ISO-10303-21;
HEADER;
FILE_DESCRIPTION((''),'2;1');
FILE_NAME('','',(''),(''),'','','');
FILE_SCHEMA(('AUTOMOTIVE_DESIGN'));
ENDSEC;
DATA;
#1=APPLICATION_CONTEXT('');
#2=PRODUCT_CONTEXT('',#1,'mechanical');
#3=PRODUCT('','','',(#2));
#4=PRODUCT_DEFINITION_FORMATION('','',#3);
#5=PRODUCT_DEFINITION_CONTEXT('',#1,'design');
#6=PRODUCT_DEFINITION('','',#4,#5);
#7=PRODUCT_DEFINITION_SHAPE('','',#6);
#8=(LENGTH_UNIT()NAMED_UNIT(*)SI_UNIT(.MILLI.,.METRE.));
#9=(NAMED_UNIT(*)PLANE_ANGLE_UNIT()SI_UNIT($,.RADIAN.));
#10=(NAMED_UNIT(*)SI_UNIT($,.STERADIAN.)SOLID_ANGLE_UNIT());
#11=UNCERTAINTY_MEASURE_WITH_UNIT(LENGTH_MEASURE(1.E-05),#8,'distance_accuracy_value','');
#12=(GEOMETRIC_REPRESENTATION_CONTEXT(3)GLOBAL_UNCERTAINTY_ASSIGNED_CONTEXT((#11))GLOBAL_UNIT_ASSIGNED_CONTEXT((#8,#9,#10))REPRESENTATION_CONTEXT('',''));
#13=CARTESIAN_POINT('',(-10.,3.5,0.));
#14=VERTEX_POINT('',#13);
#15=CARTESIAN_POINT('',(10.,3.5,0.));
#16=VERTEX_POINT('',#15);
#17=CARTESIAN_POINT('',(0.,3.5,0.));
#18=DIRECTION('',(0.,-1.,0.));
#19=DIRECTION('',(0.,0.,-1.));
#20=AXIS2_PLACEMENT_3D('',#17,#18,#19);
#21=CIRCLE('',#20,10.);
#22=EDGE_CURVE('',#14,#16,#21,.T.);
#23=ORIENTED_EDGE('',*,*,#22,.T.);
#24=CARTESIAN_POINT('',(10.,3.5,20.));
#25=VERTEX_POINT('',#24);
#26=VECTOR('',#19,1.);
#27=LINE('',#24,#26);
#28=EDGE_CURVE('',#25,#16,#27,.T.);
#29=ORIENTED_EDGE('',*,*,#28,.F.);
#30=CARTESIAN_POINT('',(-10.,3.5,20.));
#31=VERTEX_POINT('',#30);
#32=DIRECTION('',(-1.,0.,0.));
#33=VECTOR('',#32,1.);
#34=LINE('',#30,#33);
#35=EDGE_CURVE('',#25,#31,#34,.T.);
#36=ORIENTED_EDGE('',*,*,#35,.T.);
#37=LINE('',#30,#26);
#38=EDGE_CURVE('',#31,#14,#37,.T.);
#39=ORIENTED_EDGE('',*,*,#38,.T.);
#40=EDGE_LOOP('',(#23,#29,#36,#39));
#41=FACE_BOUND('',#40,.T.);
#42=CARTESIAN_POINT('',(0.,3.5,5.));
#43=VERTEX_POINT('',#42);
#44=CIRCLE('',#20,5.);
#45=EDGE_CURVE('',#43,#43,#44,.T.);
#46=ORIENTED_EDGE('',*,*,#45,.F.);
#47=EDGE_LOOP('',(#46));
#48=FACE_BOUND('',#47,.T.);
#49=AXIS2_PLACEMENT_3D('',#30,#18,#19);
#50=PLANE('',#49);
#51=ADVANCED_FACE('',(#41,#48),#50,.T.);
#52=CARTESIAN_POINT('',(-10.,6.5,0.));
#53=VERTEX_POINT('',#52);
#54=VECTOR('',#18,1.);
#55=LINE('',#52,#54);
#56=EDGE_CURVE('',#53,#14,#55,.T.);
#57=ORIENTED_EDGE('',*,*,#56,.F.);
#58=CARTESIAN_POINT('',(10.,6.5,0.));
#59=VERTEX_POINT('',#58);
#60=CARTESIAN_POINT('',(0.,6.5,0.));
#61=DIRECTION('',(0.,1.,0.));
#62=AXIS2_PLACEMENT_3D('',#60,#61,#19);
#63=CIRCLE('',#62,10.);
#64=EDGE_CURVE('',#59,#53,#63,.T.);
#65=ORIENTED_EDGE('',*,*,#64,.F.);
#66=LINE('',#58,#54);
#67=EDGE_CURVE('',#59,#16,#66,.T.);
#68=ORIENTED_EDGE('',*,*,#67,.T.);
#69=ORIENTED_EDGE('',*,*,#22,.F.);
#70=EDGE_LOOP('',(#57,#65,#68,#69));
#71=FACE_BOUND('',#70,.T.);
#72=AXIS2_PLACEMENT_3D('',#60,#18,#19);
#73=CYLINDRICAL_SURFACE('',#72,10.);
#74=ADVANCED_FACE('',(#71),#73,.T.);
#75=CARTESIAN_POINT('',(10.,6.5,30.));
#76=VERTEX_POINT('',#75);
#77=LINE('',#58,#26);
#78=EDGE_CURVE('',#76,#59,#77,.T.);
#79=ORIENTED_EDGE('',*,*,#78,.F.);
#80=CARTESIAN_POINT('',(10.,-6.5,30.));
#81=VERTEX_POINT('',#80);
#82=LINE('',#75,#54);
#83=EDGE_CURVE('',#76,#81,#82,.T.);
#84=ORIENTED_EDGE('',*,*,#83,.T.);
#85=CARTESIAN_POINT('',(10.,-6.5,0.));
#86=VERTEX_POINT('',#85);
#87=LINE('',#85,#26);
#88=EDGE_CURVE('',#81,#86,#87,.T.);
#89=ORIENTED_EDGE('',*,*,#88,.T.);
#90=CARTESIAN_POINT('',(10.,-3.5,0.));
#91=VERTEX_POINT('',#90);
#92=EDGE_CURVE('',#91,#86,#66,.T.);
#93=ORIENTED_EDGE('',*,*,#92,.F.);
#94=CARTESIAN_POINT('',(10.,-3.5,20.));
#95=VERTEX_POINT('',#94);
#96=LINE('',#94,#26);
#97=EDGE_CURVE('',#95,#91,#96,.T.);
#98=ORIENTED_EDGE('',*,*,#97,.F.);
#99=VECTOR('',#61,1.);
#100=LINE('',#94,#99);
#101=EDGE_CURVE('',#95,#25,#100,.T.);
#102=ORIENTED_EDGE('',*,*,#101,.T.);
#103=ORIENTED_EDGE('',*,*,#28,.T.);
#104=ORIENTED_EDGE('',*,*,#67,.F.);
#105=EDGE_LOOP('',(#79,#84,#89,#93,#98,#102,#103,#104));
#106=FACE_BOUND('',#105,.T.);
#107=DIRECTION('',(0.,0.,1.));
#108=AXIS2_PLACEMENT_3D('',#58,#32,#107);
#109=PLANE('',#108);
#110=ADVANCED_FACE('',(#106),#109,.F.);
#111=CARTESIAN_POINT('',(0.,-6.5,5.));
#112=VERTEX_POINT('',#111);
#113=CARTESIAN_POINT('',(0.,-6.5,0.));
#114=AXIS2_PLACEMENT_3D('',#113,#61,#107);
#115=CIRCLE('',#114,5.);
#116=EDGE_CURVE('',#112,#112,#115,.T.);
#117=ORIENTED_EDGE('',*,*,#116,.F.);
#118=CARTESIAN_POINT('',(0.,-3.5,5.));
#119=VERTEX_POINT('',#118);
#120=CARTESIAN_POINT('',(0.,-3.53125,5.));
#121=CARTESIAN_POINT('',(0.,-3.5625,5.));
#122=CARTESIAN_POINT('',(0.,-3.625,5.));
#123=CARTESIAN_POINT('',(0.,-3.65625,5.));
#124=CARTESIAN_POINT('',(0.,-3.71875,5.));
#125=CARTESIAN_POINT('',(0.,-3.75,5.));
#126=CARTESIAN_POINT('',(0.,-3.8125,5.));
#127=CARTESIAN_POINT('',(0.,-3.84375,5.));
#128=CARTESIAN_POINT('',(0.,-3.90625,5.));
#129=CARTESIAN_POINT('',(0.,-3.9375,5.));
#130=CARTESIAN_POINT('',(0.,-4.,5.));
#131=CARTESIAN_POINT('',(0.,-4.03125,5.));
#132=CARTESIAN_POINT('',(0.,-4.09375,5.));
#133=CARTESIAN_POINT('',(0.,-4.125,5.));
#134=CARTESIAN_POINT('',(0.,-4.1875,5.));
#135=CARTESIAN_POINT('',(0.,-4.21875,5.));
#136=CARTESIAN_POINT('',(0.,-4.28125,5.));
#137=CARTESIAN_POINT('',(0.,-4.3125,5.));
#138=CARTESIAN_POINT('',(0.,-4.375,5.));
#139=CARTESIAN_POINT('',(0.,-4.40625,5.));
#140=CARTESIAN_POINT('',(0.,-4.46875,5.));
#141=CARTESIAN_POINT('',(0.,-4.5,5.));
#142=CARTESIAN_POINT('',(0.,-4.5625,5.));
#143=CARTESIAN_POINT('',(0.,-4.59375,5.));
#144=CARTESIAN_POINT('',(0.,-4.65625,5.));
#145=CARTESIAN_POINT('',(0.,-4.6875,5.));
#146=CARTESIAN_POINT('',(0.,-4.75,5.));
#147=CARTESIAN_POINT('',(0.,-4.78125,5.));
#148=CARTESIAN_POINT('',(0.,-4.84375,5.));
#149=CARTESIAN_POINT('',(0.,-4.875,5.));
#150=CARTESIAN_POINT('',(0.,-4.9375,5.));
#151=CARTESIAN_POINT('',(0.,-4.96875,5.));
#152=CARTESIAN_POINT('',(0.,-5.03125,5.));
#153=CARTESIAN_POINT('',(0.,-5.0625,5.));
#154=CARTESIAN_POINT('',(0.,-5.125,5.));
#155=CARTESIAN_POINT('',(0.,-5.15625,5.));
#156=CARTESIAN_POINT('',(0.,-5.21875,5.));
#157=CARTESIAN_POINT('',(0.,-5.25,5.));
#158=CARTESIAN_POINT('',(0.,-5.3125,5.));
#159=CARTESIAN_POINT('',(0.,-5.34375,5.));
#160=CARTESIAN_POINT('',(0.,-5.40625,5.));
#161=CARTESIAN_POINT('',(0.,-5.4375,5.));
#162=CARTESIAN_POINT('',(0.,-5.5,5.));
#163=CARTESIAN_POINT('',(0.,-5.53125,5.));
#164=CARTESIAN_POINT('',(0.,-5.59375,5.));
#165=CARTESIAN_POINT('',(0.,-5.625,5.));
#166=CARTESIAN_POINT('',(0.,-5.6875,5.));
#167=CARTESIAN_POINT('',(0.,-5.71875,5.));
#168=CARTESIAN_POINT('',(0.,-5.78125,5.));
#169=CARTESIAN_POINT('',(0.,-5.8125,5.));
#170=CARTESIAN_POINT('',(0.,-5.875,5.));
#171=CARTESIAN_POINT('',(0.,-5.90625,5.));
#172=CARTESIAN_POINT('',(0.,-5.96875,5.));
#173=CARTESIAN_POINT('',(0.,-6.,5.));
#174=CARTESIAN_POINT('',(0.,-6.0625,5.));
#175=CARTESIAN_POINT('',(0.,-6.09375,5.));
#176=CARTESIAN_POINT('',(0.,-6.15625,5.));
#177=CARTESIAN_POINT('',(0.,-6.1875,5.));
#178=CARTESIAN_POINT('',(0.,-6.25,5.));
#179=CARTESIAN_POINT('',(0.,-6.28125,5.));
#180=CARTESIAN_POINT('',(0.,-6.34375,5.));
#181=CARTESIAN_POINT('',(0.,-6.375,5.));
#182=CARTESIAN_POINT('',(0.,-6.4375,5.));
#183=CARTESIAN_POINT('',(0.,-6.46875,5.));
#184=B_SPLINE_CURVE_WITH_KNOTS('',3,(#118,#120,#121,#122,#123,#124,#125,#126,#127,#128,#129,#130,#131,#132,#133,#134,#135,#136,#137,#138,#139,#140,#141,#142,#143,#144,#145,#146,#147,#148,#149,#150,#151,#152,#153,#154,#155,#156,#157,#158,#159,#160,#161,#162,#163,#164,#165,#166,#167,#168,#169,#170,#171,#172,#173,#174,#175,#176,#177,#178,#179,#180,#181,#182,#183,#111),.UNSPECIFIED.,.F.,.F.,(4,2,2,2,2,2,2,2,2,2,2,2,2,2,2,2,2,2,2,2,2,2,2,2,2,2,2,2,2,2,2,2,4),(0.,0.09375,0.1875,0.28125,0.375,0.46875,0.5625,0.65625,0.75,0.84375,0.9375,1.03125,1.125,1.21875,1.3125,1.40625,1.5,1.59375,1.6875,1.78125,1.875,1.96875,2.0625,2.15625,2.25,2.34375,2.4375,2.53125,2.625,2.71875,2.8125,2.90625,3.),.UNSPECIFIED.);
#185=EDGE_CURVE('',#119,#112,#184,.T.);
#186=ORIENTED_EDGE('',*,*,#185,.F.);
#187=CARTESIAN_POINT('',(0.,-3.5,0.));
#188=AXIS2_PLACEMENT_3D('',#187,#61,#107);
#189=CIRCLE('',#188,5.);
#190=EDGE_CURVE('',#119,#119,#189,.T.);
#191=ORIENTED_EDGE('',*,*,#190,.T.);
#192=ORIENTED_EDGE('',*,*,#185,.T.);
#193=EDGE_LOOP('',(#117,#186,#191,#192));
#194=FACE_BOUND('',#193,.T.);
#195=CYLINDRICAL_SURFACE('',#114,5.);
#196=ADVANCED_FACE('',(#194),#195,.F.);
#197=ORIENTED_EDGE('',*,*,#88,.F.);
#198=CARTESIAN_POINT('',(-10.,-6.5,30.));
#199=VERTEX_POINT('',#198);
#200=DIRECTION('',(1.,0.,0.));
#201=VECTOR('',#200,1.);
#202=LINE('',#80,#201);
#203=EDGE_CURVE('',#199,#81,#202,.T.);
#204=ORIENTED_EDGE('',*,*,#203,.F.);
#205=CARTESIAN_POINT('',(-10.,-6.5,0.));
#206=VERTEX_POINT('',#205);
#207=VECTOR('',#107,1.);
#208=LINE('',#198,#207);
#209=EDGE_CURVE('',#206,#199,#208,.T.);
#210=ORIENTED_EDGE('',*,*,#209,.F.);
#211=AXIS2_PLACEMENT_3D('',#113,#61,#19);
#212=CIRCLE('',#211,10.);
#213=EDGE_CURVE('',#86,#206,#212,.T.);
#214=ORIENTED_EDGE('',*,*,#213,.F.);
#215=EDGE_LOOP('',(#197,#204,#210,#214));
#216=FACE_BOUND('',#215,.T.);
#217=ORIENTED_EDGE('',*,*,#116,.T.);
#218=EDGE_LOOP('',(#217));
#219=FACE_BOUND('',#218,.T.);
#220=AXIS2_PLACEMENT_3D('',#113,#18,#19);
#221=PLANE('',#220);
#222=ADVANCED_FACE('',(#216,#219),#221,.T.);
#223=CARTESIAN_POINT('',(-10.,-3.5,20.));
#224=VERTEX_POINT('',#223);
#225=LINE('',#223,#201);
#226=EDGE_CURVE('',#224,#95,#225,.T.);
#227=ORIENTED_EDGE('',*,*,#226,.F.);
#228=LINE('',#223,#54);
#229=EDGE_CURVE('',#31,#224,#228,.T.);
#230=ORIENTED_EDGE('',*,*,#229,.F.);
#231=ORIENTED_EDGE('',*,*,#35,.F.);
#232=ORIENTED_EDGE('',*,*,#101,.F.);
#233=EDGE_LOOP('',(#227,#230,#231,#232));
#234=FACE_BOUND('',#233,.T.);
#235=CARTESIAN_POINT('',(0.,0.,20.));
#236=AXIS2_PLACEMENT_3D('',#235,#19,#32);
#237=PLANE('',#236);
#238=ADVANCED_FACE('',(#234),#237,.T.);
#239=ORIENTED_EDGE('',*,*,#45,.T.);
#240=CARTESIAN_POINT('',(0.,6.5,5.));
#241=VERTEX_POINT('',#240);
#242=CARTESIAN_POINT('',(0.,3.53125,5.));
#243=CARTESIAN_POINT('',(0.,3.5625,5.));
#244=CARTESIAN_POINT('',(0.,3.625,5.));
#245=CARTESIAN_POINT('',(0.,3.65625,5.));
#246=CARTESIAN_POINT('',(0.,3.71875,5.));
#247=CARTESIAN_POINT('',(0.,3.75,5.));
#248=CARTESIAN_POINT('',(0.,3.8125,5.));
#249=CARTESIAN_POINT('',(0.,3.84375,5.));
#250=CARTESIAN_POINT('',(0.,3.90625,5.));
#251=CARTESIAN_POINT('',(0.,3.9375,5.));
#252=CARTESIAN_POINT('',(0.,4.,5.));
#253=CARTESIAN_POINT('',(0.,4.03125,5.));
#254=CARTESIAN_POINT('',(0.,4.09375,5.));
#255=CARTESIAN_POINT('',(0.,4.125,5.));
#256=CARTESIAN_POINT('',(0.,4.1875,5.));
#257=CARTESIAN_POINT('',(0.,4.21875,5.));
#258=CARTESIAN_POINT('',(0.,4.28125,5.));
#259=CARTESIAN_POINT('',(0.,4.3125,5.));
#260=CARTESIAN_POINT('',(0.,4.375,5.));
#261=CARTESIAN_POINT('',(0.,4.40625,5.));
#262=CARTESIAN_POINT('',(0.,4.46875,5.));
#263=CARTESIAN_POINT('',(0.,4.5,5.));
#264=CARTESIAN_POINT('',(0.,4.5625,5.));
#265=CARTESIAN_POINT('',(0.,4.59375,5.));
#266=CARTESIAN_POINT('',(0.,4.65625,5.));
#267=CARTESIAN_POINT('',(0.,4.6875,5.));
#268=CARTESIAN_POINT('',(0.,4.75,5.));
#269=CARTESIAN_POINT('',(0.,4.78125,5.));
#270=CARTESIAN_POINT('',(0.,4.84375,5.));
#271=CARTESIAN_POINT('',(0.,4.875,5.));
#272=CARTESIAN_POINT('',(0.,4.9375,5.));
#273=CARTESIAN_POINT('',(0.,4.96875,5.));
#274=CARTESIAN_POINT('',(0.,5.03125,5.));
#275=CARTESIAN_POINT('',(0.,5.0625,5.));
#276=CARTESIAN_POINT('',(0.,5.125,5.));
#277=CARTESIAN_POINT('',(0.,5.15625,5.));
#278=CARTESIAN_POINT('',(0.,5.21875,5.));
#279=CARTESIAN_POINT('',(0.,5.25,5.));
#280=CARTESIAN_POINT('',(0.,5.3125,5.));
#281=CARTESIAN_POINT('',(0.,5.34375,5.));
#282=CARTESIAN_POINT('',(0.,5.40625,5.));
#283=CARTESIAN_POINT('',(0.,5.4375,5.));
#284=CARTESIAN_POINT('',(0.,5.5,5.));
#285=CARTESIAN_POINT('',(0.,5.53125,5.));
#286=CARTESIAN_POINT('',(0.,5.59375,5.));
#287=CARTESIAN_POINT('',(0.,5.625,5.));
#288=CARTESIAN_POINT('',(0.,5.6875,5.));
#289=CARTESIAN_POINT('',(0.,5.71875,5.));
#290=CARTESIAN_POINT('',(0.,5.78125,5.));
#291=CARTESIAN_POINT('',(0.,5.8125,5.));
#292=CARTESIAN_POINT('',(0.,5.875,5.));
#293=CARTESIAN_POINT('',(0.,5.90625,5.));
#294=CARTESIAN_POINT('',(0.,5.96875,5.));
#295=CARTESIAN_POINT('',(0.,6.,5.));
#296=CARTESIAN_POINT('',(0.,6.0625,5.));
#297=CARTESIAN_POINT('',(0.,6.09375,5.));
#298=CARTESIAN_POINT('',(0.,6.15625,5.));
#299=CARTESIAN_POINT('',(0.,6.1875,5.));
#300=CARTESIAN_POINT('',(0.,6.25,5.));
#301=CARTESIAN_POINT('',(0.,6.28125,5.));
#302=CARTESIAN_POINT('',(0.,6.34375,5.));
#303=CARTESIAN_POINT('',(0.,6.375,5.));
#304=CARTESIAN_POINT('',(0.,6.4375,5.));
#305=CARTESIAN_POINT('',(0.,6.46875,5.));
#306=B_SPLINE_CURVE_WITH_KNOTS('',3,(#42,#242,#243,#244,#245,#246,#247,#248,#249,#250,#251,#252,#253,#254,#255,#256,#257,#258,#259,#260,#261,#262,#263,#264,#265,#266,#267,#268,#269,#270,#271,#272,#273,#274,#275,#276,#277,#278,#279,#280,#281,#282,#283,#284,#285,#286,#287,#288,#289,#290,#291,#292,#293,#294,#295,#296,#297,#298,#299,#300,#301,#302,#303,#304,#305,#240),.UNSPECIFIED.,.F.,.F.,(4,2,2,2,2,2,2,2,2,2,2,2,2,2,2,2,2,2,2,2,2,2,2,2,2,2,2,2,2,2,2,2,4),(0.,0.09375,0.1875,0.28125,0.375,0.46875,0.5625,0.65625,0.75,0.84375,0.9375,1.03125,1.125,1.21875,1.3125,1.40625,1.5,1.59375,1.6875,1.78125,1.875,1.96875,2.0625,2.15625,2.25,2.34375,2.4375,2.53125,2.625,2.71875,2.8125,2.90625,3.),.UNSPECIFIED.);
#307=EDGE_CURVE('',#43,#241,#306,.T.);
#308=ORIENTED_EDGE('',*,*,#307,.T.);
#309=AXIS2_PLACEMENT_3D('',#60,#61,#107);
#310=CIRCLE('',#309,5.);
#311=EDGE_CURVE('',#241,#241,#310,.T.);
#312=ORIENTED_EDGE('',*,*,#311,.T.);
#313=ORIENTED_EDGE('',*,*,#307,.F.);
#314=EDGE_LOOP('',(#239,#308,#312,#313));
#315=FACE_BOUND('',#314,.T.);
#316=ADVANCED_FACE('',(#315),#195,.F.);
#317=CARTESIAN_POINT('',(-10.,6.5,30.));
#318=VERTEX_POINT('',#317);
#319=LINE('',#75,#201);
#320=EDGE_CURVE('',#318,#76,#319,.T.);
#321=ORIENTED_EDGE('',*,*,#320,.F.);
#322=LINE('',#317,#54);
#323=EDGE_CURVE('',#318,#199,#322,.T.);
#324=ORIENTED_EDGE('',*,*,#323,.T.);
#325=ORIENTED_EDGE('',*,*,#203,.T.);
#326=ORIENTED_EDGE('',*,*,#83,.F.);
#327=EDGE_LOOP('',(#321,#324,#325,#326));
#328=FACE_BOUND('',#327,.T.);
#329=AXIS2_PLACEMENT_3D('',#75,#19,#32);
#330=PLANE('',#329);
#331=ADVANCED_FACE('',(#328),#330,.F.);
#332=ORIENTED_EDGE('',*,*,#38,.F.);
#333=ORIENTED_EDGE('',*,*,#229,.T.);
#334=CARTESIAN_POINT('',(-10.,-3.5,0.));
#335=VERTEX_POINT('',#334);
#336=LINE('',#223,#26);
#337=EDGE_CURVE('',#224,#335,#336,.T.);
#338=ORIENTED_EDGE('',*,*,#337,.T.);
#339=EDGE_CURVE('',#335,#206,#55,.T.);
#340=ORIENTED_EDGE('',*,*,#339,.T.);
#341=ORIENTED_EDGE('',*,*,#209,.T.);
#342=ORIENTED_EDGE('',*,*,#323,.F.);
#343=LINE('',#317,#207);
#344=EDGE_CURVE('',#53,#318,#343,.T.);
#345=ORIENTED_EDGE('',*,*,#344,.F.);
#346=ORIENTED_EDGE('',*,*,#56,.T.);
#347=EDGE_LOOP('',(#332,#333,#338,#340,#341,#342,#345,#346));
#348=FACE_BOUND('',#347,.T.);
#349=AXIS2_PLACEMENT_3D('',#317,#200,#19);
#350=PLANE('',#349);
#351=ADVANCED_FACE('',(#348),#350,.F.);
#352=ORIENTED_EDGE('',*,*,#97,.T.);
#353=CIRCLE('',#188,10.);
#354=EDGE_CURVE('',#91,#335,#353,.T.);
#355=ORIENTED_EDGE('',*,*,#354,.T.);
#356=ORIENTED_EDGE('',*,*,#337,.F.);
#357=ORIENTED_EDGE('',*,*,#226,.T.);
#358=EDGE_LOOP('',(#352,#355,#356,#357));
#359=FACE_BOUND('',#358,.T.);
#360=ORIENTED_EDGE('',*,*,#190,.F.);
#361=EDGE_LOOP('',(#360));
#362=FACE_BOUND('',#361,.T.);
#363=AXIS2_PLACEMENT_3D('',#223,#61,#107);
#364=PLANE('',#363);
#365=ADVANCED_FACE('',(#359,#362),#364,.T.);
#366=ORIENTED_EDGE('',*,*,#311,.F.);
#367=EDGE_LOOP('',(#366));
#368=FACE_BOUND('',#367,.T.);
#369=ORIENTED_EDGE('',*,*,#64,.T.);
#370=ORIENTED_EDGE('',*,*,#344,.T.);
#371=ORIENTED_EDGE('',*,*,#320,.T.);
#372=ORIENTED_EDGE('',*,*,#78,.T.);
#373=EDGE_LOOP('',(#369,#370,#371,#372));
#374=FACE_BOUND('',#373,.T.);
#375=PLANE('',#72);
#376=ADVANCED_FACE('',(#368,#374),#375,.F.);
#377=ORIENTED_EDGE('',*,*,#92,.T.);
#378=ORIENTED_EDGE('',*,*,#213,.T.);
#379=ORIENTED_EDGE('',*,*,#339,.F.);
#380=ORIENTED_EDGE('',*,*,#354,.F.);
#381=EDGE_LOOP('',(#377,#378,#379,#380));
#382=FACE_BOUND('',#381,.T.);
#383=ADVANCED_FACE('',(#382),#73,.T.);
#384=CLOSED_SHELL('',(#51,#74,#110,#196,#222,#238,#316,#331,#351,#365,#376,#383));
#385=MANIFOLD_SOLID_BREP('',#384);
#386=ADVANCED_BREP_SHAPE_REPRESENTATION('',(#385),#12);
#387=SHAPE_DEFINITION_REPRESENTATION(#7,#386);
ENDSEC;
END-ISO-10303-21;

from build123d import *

# Parameters (mm, degrees)
BOSS_EXTRU_1_DEPTH           = 6.5
ENL_V_MAT_EXTRU_1_DEPTH      = 20
ENL_V_MAT_EXTRU_1_DEPTH_BACK = 33.283896915
ESQUISSE4_W                  = 20
ESQUISSE4_H                  = 7
ESQUISSE5_R                  = 5
ENL_V_MAT_EXTRU_2_DEPTH      = 35.190641995


with BuildPart() as part:
    # Esquisse3 → Boss.-Extru.1 (new, symmetric)
    with BuildSketch(Plane(origin=(0, 0, 0), x_dir=(1, 0, 0), z_dir=(0, 1, 0))):
        with BuildLine():
            Line((-10, -30), (-10, 0))
            ThreePointArc((-10, 0), (0, 10), (10, 0))
            Line((10, 0), (10, -30))
            Line((10, -30), (-10, -30))
        make_face()
    extrude(amount=BOSS_EXTRU_1_DEPTH, both=True)

    # Esquisse4 → Enlèv. mat.-Extru.1 (cut, two sides: drawn at the far end of the back side and taken through both)
    with BuildSketch(Plane.XY.offset(-ENL_V_MAT_EXTRU_1_DEPTH_BACK)):
        Rectangle(ESQUISSE4_W, ESQUISSE4_H)
    extrude(amount=ENL_V_MAT_EXTRU_1_DEPTH + ENL_V_MAT_EXTRU_1_DEPTH_BACK, mode=Mode.SUBTRACT)

    # Esquisse5 → Enlèv. mat.-Extru.2 (cut, through all)
    with BuildSketch(Plane(origin=(0, 6.5, 0), x_dir=(1, 0, 0), z_dir=(0, 1, 0))):
        with Locations(Location((0, 0, 0), (0, 0, 270))):
            Circle(ESQUISSE5_R)
    extrude(amount=-ENL_V_MAT_EXTRU_2_DEPTH, mode=Mode.SUBTRACT)


solid = part.part
